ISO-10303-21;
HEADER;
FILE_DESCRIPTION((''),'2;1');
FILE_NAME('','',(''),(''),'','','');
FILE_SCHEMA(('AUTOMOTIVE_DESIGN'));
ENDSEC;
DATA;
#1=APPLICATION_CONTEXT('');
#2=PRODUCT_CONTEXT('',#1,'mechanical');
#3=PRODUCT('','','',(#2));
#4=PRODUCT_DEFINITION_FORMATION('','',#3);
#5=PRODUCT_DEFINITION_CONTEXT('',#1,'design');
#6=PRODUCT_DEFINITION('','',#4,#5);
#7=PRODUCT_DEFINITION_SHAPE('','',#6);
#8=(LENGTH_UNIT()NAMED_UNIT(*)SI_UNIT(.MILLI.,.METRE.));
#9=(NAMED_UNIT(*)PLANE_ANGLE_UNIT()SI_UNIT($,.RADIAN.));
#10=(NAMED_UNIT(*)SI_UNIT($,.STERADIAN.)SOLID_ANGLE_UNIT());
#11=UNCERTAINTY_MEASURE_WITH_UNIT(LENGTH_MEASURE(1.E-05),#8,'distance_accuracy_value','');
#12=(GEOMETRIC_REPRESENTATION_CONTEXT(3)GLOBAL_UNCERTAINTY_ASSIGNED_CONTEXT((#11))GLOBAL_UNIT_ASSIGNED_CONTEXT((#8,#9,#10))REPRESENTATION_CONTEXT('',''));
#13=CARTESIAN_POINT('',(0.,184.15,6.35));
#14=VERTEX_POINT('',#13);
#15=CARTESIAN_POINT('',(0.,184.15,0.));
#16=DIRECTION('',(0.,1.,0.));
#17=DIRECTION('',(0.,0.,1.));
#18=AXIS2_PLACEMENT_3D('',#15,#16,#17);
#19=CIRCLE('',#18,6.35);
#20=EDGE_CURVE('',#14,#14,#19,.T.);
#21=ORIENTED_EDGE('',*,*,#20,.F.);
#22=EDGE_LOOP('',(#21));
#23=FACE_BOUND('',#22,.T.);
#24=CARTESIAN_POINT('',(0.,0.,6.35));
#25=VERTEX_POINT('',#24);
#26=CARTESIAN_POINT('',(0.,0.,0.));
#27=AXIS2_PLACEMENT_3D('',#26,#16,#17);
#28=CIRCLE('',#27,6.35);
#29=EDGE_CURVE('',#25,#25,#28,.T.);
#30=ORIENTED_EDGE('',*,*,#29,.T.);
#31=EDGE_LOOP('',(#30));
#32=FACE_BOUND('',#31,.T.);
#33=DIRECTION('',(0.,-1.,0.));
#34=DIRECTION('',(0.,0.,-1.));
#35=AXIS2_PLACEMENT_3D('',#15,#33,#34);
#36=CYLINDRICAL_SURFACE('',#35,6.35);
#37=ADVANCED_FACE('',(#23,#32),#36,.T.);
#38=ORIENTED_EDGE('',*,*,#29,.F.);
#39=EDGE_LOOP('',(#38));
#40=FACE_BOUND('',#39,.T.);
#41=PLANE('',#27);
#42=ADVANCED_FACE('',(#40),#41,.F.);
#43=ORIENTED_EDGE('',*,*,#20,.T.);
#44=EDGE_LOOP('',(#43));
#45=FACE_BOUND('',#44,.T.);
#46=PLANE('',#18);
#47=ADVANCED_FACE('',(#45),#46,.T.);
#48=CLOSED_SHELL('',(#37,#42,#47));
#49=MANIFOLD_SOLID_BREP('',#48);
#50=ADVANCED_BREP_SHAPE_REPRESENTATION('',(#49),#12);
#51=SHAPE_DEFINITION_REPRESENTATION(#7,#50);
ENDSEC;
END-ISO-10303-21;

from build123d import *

# Parameters (mm, degrees)
SKETCH1_R           = 6.35
BOSS_EXTRUDE1_DEPTH = 184.15


with BuildPart() as part:
    # Sketch1 → Boss-Extrude1 (new body)
    with BuildSketch(Plane(origin=(0, 0, 0), x_dir=(1, 0, 0), z_dir=(0, 1, 0))):
        Circle(SKETCH1_R)
    extrude(amount=BOSS_EXTRUDE1_DEPTH)


solid = part.part
